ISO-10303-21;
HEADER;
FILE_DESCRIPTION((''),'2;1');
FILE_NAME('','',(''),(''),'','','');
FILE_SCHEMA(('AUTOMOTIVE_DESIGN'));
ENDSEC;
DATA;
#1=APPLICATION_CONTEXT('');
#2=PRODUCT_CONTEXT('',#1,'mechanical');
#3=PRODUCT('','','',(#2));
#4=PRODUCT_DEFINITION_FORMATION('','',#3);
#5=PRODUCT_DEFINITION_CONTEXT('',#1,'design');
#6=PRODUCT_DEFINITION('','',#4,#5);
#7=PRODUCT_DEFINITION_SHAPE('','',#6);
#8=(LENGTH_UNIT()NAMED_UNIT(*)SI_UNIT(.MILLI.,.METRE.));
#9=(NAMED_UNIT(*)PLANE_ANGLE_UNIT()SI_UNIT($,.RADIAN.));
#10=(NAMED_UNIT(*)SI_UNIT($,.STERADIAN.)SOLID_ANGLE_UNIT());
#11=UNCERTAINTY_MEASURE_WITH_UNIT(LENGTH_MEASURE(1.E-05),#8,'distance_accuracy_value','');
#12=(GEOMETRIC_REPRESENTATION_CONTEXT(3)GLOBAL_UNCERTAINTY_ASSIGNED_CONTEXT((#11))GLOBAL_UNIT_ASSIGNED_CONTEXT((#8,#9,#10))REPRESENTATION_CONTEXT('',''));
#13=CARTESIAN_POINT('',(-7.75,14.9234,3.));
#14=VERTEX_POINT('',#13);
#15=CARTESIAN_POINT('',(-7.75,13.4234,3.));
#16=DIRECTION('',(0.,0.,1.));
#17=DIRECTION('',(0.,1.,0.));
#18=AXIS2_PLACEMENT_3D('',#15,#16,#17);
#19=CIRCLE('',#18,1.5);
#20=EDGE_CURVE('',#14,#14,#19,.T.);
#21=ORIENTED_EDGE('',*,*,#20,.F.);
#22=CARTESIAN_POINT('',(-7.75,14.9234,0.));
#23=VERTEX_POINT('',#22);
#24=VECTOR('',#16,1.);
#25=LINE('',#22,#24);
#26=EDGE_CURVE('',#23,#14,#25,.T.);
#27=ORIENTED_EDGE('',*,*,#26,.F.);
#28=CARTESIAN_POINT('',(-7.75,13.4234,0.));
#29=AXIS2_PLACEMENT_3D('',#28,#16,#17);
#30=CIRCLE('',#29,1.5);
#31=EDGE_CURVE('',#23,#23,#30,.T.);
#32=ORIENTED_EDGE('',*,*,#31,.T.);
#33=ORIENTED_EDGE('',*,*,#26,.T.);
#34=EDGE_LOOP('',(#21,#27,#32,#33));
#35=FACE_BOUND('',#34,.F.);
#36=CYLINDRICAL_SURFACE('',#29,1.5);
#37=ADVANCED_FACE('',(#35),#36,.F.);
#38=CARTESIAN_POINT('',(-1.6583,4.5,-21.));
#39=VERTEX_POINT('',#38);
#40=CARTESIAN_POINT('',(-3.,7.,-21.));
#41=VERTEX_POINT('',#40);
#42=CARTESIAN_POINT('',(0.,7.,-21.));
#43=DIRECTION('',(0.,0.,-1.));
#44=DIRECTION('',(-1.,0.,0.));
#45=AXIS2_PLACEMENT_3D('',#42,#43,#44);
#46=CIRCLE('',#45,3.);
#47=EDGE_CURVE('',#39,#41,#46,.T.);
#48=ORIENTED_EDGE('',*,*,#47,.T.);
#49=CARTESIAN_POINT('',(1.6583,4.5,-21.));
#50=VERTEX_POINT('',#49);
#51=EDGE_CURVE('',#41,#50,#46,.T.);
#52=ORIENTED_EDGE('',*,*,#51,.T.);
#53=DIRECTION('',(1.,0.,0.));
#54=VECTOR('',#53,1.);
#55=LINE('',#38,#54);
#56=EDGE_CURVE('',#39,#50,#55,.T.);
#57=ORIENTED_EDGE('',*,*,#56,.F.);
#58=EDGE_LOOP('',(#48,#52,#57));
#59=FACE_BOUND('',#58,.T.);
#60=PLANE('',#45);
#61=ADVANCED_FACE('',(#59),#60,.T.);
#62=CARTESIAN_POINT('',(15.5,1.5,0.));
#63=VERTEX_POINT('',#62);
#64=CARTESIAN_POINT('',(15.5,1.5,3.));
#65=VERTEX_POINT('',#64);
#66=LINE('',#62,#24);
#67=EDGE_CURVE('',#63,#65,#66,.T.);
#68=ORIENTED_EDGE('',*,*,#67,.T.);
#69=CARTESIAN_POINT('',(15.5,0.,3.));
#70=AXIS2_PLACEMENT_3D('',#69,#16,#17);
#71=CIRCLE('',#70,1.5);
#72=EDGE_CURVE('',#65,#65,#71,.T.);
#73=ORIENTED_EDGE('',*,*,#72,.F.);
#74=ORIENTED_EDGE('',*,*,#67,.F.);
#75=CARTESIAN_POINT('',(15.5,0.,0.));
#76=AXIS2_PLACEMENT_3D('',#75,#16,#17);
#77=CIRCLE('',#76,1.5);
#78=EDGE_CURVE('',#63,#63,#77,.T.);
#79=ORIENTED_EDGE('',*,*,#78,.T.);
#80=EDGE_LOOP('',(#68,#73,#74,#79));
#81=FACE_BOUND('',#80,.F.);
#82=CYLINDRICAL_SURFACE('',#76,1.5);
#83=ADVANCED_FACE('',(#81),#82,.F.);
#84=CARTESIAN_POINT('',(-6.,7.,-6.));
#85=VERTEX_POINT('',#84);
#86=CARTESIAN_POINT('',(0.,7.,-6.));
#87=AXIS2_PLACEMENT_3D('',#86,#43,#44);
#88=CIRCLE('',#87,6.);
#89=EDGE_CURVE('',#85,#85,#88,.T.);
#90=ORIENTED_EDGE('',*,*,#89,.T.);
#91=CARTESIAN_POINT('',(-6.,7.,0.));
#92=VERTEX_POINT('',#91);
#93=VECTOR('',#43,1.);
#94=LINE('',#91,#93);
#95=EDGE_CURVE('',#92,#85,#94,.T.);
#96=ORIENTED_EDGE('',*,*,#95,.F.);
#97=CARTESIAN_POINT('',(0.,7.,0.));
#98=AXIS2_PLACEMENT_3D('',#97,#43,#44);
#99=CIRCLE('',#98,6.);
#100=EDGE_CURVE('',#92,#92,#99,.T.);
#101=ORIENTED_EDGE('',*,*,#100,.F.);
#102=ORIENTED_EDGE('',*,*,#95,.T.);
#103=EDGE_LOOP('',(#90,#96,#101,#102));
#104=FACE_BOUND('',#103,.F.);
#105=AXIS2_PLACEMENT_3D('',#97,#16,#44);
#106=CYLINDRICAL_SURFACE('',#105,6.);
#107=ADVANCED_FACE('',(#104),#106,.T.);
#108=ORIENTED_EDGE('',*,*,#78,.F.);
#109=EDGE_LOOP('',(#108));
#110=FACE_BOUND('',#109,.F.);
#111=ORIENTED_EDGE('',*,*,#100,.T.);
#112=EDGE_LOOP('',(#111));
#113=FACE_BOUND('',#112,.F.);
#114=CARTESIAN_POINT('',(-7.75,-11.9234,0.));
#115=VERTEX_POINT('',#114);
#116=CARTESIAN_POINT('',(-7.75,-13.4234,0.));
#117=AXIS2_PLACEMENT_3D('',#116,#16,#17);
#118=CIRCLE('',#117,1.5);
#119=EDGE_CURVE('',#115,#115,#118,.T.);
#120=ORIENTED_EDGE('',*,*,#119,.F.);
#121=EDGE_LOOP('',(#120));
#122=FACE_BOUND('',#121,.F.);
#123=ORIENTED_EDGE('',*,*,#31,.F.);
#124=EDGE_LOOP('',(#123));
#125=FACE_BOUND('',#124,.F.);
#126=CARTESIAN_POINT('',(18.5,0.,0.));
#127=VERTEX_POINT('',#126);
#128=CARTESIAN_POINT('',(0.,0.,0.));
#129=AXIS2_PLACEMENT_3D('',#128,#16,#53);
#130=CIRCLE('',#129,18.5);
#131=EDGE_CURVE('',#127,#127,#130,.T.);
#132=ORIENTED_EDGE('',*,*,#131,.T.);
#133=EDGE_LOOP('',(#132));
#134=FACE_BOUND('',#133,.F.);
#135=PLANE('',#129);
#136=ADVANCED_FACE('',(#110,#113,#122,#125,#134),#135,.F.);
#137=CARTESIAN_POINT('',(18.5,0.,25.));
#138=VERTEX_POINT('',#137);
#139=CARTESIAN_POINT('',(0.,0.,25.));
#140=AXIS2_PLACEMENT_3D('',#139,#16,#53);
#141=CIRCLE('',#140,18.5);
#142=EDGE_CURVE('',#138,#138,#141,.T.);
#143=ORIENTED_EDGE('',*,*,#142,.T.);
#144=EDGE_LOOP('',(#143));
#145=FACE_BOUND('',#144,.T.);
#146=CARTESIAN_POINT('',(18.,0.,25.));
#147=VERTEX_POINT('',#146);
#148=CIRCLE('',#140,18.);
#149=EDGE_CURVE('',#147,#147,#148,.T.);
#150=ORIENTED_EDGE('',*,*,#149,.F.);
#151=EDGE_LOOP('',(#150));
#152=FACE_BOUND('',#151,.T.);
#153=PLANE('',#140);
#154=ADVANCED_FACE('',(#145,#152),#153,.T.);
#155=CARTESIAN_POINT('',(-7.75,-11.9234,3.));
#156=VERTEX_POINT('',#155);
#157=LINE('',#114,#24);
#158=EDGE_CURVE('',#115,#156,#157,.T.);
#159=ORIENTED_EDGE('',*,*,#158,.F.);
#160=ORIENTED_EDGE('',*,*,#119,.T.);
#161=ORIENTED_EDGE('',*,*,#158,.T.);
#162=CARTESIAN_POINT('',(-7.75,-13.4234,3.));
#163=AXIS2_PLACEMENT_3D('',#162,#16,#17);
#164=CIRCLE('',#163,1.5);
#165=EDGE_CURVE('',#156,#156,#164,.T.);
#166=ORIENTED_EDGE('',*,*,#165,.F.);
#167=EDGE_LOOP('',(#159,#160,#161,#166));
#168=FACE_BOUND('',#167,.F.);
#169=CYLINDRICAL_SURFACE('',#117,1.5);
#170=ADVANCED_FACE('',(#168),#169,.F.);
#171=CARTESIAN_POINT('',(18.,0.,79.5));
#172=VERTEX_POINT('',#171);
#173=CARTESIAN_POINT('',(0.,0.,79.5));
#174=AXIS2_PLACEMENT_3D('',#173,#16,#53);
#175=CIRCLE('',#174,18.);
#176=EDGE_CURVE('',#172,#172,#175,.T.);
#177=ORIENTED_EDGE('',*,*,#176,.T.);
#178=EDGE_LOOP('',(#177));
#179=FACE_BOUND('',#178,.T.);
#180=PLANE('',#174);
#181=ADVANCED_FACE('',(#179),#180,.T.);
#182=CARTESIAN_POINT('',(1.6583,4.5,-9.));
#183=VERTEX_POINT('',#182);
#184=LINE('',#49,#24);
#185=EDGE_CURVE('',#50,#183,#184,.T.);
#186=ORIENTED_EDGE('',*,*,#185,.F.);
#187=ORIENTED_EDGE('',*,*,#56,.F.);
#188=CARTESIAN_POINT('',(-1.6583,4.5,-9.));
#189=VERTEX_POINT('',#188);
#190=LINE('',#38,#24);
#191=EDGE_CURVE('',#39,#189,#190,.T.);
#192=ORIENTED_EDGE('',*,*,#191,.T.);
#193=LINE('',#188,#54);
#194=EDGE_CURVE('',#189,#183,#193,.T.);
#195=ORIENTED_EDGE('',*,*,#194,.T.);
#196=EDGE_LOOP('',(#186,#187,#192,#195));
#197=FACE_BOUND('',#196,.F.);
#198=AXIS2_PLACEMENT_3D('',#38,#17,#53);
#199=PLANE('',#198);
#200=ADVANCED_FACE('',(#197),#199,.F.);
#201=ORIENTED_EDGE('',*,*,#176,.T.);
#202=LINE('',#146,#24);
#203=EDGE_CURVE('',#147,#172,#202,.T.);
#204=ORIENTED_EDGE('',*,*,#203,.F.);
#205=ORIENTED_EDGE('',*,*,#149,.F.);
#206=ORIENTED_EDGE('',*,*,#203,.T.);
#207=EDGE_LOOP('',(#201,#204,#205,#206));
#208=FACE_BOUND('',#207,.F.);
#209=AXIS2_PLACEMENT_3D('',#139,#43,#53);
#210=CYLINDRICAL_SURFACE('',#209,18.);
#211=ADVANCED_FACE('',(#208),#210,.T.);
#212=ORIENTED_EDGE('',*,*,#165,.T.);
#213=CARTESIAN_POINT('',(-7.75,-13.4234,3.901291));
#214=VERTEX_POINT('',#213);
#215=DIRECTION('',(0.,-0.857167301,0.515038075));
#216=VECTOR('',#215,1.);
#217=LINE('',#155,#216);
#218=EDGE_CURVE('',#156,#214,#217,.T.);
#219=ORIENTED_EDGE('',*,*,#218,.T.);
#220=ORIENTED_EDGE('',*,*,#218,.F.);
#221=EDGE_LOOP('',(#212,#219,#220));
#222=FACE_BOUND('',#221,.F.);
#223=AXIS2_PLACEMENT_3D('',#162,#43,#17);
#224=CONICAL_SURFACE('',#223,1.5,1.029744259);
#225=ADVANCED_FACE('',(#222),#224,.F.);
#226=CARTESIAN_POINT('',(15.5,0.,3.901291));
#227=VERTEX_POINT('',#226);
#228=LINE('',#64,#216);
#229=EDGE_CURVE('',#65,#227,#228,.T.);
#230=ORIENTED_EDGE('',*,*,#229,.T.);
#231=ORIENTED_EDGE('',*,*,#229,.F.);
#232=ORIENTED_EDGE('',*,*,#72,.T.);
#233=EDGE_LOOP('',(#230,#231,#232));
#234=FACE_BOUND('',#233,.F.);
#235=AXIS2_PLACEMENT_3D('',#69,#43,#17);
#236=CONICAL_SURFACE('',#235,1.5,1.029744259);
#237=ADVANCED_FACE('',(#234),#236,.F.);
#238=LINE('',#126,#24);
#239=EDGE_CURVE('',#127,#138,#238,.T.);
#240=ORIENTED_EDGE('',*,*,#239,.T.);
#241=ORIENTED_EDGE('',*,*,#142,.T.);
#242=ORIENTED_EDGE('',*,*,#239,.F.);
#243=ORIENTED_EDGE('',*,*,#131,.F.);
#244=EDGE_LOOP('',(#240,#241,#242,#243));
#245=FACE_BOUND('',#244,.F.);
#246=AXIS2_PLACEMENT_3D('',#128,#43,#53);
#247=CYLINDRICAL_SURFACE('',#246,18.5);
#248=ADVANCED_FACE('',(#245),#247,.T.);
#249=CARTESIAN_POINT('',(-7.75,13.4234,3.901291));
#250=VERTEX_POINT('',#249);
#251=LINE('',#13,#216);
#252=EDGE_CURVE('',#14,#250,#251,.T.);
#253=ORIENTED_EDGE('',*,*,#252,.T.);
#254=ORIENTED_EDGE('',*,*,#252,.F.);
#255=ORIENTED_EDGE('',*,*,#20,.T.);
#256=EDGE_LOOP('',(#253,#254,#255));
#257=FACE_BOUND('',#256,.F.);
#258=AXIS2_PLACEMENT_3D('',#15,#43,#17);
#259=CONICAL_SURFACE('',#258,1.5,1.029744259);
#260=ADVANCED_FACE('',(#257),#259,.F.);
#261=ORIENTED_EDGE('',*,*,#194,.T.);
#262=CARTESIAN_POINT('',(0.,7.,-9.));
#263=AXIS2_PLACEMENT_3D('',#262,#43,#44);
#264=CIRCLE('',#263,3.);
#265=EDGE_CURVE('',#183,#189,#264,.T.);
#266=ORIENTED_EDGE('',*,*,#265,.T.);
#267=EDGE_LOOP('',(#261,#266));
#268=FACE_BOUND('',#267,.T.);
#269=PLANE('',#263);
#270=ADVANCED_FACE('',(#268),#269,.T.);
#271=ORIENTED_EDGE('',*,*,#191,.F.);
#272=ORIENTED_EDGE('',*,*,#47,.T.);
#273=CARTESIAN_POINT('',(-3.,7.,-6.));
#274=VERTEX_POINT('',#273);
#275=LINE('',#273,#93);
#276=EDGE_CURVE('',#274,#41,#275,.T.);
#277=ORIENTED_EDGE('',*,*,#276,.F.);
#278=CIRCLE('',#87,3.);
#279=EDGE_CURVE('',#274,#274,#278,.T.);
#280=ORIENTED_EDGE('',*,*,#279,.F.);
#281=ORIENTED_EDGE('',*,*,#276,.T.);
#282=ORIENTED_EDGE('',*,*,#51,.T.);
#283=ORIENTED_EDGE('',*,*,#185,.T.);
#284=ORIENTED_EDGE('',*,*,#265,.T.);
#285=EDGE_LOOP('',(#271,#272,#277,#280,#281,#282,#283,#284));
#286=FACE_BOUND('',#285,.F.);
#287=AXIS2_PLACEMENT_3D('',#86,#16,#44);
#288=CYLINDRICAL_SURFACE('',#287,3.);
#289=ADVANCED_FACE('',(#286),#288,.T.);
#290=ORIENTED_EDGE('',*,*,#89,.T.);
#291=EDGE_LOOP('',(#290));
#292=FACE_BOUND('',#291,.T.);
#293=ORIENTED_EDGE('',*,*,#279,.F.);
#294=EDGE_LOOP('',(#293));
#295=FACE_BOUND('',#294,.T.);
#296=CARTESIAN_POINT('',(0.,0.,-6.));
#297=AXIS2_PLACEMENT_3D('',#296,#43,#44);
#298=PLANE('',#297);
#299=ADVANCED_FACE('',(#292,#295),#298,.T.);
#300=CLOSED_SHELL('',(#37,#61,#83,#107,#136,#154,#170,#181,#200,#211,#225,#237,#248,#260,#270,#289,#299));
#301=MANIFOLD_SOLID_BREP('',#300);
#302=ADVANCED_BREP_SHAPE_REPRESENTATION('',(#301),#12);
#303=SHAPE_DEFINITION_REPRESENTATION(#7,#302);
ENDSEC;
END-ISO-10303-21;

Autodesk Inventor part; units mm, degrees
ref_plane "YZ Plane" through (0, 0, 0) normal (1, 0, 0) x (0, 1, 0)
ref_plane "XZ Plane" through (0, 0, 0) normal (0, 1, 0) x (-1, 0, 0)
sketch "スケッチ1" plane through (0, 0, 0) normal (0, 0, 1) x (1, 0, 0)
  circle A0 centre (0, 0) radius 18.5
  dimension "d0" = 37
extrude "押し出し1" add sketch "スケッチ1" along normal blind 25
sketch "スケッチ2" plane through (0, 0, 25) normal (0, 0, 1) x (1, 0, 0)
  circle A0 centre (0, 0) radius 18
  dimension "d3" = 36
extrude "押し出し2" add sketch "スケッチ2" along normal blind 54.5
sketch "スケッチ3" plane through (0, 0, 0) normal (0, 0, -1) x (-1, 0, 0)
  circle A0 centre (0, 0) radius 18.5 projected
  circle A1 centre (0, 7) radius 6
  dimension "d6" = 12
  dimension "d7" = 7
extrude "押し出し3" add sketch "スケッチ3" along normal blind 6 contours A1
sketch "スケッチ4" plane through (0, 7, -6) normal (0, 0, -1) x (-1, 0, 0)
  circle A0 centre (0, 0) radius 3
  point P0 (0, -7)
  dimension "d10" = 6
extrude "押し出し4" add sketch "スケッチ4" along normal blind 15
sketch "スケッチ5" plane through (0, 0, 0) normal (0, 0, -1) x (-1, 0, 0)
  circle A0 centre (0, 0) radius 18.5 projected
  circle A1 centre (0, 0) radius 15.5
  line L0 (0, 0) -> (-15.5, 0)
  line L1 (7.75, 13.4234) -> (0, 0)
  line L2 (0, 0) -> (7.75, -13.4234)
  point P0 (-15.5, 0)
  point P1 (7.75, -13.4234)
  dimension "d13" = 31
  dimension "d14" = 120
  dimension "d15" = 120
hole "Hole1" at (15.5, 0, 0) at (-7.75, -13.4234, 0) at (-7.75, 13.4234, 0) direction (0, 0, 1) diameter 3 depth 3 tip angle 118
ref_plane "作業平面1" through (0, 0, 0) normal (1, 0, 0) x (0, 0.3162, -0.9487)
sketch "スケッチ7" plane through (0, 7, -21) normal (0, 0, -1) x (-1, 0, 0)
  line L0 (1.6583, -2.5) -> (-1.6583, -2.5)
  circle A0 centre (0, 0) radius 3 projected
  point P0 (0, -7)
  dimension "d33" = 2.5
extrude "押し出し5" cut sketch "スケッチ7" against normal blind 12 contours A0 L0 picked at (0.3442, -2.6056)
properties part number "rs380ph_36" material "Steel"
